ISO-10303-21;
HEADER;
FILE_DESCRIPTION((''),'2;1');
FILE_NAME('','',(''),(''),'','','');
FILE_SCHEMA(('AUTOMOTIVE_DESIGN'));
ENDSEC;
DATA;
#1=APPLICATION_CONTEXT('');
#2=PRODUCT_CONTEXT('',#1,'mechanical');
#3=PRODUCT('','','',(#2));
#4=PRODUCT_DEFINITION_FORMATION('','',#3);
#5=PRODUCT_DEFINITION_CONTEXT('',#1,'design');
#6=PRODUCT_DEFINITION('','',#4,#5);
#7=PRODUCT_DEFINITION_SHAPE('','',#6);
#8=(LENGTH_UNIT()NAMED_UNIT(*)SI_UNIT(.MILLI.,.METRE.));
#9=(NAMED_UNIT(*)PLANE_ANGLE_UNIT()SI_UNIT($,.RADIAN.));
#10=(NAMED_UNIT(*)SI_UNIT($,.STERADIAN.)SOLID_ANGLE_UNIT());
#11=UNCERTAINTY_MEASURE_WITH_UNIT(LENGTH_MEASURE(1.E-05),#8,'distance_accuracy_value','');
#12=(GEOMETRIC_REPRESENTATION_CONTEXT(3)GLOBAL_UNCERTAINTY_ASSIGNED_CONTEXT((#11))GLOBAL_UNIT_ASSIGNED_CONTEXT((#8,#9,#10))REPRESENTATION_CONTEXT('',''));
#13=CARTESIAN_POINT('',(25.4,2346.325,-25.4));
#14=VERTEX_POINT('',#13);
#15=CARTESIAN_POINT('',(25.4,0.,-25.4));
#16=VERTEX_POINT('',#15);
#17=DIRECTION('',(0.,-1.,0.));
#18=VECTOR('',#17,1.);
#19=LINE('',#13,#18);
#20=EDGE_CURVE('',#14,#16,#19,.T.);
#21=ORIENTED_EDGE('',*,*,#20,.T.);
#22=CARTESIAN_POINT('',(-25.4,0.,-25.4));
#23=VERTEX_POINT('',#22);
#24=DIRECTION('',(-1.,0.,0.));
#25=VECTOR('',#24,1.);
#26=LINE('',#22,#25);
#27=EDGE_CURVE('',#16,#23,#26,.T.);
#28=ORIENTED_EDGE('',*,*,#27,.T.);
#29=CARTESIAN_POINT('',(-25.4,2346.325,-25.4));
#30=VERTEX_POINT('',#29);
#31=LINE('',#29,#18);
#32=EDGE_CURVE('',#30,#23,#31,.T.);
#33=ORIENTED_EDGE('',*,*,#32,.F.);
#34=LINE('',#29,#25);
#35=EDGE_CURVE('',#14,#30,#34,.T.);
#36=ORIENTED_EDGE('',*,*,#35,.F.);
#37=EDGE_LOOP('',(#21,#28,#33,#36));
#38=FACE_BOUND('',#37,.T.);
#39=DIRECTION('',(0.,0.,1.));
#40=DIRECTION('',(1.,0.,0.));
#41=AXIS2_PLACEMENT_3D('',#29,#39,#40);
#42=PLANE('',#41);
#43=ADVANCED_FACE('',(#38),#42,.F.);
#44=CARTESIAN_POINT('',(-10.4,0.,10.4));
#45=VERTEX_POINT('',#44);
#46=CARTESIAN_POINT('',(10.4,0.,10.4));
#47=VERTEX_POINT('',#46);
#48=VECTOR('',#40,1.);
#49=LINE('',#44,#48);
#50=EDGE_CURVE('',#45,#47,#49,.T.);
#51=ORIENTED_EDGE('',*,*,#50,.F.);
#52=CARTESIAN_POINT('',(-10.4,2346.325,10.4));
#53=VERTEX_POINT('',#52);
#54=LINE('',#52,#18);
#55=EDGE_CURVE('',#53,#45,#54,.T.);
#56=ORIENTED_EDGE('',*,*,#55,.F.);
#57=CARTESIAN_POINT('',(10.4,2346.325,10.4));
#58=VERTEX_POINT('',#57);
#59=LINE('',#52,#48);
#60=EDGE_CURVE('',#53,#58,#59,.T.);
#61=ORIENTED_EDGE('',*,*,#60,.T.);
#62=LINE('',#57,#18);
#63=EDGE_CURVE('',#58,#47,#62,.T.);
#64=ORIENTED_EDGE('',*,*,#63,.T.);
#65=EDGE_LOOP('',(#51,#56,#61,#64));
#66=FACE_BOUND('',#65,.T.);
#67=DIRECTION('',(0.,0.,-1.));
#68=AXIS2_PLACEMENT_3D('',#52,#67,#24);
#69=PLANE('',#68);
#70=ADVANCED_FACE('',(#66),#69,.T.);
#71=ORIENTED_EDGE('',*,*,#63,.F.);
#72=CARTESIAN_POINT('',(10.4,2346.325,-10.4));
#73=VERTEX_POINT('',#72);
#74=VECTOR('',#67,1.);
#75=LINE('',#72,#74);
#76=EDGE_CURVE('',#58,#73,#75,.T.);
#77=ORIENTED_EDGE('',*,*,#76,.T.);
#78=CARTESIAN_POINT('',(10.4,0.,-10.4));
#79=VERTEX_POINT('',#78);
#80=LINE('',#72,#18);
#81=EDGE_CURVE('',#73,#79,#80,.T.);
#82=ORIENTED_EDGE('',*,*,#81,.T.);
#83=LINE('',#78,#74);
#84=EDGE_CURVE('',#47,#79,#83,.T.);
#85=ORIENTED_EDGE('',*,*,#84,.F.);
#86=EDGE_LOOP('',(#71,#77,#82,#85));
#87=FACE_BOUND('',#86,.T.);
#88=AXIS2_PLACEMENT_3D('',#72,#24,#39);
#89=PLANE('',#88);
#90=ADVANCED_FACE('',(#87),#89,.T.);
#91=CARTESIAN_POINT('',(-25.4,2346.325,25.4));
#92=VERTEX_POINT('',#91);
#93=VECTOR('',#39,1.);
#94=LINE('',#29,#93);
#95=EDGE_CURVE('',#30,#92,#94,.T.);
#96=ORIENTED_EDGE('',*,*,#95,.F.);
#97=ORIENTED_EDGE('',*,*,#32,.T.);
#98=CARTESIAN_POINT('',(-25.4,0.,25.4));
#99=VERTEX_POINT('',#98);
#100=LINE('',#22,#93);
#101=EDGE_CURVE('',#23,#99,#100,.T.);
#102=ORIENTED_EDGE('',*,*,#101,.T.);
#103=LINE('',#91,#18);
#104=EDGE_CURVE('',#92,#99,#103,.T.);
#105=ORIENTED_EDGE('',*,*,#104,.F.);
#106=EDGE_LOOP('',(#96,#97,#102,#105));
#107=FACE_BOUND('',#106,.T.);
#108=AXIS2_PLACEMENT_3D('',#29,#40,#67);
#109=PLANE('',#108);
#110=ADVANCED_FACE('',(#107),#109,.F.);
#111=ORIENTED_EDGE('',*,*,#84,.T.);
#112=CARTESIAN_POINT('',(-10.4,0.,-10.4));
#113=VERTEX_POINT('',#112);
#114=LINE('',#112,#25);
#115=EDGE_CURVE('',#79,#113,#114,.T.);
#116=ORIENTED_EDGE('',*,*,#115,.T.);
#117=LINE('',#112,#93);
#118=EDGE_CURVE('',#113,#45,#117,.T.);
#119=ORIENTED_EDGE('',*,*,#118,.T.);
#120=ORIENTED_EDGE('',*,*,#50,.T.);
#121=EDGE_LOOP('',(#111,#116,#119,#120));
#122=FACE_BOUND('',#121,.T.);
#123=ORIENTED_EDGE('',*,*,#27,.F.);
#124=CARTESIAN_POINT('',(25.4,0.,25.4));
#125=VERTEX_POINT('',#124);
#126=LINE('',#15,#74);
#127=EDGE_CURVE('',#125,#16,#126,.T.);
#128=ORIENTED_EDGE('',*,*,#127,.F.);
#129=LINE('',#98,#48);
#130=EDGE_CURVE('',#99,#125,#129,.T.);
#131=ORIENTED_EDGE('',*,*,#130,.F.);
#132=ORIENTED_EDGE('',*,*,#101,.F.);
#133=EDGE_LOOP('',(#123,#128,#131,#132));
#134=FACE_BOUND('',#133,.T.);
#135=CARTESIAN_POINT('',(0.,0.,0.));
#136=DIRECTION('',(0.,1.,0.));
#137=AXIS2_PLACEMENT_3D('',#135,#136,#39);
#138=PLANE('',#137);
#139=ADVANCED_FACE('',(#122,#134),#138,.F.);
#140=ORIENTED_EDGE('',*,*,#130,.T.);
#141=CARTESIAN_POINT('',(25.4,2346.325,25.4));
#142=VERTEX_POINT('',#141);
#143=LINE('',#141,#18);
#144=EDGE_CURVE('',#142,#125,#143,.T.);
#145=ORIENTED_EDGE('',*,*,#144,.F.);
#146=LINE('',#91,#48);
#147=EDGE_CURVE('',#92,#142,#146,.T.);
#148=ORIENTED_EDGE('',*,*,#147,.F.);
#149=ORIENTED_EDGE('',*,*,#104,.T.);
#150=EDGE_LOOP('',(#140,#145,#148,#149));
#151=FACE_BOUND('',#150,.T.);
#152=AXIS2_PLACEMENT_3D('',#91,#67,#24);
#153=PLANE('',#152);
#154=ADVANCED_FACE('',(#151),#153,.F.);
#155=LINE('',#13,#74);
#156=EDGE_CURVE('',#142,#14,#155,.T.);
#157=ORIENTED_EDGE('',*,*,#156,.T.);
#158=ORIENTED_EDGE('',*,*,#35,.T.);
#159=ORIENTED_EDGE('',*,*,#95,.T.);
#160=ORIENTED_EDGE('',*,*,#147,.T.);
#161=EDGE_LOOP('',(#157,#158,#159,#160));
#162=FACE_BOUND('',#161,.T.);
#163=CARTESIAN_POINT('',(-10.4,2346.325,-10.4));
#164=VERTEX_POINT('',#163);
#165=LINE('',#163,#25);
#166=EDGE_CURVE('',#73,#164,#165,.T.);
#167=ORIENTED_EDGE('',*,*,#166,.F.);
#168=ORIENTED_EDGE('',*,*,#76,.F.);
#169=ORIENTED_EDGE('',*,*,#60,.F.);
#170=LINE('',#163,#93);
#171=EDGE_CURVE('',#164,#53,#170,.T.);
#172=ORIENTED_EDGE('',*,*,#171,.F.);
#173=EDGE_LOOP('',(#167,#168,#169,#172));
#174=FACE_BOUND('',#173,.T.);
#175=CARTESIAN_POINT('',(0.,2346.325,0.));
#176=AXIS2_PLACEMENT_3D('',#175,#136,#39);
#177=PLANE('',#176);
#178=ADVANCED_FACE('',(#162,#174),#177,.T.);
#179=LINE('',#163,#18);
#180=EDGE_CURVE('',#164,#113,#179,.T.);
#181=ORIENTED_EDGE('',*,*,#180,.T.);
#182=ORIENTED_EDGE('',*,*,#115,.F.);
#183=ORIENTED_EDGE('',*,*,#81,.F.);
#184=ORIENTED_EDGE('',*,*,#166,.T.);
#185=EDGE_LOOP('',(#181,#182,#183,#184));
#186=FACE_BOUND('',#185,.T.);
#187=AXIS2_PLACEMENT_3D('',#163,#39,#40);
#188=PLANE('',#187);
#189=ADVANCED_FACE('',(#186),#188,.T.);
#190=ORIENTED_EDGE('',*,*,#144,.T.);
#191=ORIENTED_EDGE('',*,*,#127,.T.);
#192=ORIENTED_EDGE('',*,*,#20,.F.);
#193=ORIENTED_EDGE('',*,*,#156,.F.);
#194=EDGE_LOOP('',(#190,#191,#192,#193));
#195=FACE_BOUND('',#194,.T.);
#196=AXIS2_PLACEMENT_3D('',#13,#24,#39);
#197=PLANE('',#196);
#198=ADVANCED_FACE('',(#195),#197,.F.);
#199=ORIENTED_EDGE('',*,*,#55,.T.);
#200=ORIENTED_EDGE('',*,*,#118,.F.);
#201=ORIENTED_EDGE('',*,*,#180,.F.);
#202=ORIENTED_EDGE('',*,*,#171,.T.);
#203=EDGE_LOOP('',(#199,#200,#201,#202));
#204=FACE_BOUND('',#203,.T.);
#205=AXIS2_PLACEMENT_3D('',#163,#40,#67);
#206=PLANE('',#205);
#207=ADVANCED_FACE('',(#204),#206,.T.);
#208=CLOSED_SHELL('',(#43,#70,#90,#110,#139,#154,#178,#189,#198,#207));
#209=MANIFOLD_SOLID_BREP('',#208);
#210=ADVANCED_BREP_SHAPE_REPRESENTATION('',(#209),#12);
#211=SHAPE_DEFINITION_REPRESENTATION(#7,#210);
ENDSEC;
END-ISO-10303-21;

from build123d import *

# Parameters (mm, degrees)
SKETCH1_W           = 50.8
SKETCH1_H           = 50.8
SKETCH1_W_2         = 20.8
SKETCH1_H_2         = 20.8
BOSS_EXTRUDE1_DEPTH = 2346.325


with BuildPart() as part:
    # Sketch1 → Boss-Extrude1 (new body)
    with BuildSketch(Plane(origin=(0, 0, 0), x_dir=(1, 0, 0), z_dir=(0, 1, 0))):
        Rectangle(SKETCH1_W, SKETCH1_H)
        Rectangle(SKETCH1_W_2, SKETCH1_H_2, mode=Mode.SUBTRACT)
    extrude(amount=BOSS_EXTRUDE1_DEPTH)


solid = part.part
